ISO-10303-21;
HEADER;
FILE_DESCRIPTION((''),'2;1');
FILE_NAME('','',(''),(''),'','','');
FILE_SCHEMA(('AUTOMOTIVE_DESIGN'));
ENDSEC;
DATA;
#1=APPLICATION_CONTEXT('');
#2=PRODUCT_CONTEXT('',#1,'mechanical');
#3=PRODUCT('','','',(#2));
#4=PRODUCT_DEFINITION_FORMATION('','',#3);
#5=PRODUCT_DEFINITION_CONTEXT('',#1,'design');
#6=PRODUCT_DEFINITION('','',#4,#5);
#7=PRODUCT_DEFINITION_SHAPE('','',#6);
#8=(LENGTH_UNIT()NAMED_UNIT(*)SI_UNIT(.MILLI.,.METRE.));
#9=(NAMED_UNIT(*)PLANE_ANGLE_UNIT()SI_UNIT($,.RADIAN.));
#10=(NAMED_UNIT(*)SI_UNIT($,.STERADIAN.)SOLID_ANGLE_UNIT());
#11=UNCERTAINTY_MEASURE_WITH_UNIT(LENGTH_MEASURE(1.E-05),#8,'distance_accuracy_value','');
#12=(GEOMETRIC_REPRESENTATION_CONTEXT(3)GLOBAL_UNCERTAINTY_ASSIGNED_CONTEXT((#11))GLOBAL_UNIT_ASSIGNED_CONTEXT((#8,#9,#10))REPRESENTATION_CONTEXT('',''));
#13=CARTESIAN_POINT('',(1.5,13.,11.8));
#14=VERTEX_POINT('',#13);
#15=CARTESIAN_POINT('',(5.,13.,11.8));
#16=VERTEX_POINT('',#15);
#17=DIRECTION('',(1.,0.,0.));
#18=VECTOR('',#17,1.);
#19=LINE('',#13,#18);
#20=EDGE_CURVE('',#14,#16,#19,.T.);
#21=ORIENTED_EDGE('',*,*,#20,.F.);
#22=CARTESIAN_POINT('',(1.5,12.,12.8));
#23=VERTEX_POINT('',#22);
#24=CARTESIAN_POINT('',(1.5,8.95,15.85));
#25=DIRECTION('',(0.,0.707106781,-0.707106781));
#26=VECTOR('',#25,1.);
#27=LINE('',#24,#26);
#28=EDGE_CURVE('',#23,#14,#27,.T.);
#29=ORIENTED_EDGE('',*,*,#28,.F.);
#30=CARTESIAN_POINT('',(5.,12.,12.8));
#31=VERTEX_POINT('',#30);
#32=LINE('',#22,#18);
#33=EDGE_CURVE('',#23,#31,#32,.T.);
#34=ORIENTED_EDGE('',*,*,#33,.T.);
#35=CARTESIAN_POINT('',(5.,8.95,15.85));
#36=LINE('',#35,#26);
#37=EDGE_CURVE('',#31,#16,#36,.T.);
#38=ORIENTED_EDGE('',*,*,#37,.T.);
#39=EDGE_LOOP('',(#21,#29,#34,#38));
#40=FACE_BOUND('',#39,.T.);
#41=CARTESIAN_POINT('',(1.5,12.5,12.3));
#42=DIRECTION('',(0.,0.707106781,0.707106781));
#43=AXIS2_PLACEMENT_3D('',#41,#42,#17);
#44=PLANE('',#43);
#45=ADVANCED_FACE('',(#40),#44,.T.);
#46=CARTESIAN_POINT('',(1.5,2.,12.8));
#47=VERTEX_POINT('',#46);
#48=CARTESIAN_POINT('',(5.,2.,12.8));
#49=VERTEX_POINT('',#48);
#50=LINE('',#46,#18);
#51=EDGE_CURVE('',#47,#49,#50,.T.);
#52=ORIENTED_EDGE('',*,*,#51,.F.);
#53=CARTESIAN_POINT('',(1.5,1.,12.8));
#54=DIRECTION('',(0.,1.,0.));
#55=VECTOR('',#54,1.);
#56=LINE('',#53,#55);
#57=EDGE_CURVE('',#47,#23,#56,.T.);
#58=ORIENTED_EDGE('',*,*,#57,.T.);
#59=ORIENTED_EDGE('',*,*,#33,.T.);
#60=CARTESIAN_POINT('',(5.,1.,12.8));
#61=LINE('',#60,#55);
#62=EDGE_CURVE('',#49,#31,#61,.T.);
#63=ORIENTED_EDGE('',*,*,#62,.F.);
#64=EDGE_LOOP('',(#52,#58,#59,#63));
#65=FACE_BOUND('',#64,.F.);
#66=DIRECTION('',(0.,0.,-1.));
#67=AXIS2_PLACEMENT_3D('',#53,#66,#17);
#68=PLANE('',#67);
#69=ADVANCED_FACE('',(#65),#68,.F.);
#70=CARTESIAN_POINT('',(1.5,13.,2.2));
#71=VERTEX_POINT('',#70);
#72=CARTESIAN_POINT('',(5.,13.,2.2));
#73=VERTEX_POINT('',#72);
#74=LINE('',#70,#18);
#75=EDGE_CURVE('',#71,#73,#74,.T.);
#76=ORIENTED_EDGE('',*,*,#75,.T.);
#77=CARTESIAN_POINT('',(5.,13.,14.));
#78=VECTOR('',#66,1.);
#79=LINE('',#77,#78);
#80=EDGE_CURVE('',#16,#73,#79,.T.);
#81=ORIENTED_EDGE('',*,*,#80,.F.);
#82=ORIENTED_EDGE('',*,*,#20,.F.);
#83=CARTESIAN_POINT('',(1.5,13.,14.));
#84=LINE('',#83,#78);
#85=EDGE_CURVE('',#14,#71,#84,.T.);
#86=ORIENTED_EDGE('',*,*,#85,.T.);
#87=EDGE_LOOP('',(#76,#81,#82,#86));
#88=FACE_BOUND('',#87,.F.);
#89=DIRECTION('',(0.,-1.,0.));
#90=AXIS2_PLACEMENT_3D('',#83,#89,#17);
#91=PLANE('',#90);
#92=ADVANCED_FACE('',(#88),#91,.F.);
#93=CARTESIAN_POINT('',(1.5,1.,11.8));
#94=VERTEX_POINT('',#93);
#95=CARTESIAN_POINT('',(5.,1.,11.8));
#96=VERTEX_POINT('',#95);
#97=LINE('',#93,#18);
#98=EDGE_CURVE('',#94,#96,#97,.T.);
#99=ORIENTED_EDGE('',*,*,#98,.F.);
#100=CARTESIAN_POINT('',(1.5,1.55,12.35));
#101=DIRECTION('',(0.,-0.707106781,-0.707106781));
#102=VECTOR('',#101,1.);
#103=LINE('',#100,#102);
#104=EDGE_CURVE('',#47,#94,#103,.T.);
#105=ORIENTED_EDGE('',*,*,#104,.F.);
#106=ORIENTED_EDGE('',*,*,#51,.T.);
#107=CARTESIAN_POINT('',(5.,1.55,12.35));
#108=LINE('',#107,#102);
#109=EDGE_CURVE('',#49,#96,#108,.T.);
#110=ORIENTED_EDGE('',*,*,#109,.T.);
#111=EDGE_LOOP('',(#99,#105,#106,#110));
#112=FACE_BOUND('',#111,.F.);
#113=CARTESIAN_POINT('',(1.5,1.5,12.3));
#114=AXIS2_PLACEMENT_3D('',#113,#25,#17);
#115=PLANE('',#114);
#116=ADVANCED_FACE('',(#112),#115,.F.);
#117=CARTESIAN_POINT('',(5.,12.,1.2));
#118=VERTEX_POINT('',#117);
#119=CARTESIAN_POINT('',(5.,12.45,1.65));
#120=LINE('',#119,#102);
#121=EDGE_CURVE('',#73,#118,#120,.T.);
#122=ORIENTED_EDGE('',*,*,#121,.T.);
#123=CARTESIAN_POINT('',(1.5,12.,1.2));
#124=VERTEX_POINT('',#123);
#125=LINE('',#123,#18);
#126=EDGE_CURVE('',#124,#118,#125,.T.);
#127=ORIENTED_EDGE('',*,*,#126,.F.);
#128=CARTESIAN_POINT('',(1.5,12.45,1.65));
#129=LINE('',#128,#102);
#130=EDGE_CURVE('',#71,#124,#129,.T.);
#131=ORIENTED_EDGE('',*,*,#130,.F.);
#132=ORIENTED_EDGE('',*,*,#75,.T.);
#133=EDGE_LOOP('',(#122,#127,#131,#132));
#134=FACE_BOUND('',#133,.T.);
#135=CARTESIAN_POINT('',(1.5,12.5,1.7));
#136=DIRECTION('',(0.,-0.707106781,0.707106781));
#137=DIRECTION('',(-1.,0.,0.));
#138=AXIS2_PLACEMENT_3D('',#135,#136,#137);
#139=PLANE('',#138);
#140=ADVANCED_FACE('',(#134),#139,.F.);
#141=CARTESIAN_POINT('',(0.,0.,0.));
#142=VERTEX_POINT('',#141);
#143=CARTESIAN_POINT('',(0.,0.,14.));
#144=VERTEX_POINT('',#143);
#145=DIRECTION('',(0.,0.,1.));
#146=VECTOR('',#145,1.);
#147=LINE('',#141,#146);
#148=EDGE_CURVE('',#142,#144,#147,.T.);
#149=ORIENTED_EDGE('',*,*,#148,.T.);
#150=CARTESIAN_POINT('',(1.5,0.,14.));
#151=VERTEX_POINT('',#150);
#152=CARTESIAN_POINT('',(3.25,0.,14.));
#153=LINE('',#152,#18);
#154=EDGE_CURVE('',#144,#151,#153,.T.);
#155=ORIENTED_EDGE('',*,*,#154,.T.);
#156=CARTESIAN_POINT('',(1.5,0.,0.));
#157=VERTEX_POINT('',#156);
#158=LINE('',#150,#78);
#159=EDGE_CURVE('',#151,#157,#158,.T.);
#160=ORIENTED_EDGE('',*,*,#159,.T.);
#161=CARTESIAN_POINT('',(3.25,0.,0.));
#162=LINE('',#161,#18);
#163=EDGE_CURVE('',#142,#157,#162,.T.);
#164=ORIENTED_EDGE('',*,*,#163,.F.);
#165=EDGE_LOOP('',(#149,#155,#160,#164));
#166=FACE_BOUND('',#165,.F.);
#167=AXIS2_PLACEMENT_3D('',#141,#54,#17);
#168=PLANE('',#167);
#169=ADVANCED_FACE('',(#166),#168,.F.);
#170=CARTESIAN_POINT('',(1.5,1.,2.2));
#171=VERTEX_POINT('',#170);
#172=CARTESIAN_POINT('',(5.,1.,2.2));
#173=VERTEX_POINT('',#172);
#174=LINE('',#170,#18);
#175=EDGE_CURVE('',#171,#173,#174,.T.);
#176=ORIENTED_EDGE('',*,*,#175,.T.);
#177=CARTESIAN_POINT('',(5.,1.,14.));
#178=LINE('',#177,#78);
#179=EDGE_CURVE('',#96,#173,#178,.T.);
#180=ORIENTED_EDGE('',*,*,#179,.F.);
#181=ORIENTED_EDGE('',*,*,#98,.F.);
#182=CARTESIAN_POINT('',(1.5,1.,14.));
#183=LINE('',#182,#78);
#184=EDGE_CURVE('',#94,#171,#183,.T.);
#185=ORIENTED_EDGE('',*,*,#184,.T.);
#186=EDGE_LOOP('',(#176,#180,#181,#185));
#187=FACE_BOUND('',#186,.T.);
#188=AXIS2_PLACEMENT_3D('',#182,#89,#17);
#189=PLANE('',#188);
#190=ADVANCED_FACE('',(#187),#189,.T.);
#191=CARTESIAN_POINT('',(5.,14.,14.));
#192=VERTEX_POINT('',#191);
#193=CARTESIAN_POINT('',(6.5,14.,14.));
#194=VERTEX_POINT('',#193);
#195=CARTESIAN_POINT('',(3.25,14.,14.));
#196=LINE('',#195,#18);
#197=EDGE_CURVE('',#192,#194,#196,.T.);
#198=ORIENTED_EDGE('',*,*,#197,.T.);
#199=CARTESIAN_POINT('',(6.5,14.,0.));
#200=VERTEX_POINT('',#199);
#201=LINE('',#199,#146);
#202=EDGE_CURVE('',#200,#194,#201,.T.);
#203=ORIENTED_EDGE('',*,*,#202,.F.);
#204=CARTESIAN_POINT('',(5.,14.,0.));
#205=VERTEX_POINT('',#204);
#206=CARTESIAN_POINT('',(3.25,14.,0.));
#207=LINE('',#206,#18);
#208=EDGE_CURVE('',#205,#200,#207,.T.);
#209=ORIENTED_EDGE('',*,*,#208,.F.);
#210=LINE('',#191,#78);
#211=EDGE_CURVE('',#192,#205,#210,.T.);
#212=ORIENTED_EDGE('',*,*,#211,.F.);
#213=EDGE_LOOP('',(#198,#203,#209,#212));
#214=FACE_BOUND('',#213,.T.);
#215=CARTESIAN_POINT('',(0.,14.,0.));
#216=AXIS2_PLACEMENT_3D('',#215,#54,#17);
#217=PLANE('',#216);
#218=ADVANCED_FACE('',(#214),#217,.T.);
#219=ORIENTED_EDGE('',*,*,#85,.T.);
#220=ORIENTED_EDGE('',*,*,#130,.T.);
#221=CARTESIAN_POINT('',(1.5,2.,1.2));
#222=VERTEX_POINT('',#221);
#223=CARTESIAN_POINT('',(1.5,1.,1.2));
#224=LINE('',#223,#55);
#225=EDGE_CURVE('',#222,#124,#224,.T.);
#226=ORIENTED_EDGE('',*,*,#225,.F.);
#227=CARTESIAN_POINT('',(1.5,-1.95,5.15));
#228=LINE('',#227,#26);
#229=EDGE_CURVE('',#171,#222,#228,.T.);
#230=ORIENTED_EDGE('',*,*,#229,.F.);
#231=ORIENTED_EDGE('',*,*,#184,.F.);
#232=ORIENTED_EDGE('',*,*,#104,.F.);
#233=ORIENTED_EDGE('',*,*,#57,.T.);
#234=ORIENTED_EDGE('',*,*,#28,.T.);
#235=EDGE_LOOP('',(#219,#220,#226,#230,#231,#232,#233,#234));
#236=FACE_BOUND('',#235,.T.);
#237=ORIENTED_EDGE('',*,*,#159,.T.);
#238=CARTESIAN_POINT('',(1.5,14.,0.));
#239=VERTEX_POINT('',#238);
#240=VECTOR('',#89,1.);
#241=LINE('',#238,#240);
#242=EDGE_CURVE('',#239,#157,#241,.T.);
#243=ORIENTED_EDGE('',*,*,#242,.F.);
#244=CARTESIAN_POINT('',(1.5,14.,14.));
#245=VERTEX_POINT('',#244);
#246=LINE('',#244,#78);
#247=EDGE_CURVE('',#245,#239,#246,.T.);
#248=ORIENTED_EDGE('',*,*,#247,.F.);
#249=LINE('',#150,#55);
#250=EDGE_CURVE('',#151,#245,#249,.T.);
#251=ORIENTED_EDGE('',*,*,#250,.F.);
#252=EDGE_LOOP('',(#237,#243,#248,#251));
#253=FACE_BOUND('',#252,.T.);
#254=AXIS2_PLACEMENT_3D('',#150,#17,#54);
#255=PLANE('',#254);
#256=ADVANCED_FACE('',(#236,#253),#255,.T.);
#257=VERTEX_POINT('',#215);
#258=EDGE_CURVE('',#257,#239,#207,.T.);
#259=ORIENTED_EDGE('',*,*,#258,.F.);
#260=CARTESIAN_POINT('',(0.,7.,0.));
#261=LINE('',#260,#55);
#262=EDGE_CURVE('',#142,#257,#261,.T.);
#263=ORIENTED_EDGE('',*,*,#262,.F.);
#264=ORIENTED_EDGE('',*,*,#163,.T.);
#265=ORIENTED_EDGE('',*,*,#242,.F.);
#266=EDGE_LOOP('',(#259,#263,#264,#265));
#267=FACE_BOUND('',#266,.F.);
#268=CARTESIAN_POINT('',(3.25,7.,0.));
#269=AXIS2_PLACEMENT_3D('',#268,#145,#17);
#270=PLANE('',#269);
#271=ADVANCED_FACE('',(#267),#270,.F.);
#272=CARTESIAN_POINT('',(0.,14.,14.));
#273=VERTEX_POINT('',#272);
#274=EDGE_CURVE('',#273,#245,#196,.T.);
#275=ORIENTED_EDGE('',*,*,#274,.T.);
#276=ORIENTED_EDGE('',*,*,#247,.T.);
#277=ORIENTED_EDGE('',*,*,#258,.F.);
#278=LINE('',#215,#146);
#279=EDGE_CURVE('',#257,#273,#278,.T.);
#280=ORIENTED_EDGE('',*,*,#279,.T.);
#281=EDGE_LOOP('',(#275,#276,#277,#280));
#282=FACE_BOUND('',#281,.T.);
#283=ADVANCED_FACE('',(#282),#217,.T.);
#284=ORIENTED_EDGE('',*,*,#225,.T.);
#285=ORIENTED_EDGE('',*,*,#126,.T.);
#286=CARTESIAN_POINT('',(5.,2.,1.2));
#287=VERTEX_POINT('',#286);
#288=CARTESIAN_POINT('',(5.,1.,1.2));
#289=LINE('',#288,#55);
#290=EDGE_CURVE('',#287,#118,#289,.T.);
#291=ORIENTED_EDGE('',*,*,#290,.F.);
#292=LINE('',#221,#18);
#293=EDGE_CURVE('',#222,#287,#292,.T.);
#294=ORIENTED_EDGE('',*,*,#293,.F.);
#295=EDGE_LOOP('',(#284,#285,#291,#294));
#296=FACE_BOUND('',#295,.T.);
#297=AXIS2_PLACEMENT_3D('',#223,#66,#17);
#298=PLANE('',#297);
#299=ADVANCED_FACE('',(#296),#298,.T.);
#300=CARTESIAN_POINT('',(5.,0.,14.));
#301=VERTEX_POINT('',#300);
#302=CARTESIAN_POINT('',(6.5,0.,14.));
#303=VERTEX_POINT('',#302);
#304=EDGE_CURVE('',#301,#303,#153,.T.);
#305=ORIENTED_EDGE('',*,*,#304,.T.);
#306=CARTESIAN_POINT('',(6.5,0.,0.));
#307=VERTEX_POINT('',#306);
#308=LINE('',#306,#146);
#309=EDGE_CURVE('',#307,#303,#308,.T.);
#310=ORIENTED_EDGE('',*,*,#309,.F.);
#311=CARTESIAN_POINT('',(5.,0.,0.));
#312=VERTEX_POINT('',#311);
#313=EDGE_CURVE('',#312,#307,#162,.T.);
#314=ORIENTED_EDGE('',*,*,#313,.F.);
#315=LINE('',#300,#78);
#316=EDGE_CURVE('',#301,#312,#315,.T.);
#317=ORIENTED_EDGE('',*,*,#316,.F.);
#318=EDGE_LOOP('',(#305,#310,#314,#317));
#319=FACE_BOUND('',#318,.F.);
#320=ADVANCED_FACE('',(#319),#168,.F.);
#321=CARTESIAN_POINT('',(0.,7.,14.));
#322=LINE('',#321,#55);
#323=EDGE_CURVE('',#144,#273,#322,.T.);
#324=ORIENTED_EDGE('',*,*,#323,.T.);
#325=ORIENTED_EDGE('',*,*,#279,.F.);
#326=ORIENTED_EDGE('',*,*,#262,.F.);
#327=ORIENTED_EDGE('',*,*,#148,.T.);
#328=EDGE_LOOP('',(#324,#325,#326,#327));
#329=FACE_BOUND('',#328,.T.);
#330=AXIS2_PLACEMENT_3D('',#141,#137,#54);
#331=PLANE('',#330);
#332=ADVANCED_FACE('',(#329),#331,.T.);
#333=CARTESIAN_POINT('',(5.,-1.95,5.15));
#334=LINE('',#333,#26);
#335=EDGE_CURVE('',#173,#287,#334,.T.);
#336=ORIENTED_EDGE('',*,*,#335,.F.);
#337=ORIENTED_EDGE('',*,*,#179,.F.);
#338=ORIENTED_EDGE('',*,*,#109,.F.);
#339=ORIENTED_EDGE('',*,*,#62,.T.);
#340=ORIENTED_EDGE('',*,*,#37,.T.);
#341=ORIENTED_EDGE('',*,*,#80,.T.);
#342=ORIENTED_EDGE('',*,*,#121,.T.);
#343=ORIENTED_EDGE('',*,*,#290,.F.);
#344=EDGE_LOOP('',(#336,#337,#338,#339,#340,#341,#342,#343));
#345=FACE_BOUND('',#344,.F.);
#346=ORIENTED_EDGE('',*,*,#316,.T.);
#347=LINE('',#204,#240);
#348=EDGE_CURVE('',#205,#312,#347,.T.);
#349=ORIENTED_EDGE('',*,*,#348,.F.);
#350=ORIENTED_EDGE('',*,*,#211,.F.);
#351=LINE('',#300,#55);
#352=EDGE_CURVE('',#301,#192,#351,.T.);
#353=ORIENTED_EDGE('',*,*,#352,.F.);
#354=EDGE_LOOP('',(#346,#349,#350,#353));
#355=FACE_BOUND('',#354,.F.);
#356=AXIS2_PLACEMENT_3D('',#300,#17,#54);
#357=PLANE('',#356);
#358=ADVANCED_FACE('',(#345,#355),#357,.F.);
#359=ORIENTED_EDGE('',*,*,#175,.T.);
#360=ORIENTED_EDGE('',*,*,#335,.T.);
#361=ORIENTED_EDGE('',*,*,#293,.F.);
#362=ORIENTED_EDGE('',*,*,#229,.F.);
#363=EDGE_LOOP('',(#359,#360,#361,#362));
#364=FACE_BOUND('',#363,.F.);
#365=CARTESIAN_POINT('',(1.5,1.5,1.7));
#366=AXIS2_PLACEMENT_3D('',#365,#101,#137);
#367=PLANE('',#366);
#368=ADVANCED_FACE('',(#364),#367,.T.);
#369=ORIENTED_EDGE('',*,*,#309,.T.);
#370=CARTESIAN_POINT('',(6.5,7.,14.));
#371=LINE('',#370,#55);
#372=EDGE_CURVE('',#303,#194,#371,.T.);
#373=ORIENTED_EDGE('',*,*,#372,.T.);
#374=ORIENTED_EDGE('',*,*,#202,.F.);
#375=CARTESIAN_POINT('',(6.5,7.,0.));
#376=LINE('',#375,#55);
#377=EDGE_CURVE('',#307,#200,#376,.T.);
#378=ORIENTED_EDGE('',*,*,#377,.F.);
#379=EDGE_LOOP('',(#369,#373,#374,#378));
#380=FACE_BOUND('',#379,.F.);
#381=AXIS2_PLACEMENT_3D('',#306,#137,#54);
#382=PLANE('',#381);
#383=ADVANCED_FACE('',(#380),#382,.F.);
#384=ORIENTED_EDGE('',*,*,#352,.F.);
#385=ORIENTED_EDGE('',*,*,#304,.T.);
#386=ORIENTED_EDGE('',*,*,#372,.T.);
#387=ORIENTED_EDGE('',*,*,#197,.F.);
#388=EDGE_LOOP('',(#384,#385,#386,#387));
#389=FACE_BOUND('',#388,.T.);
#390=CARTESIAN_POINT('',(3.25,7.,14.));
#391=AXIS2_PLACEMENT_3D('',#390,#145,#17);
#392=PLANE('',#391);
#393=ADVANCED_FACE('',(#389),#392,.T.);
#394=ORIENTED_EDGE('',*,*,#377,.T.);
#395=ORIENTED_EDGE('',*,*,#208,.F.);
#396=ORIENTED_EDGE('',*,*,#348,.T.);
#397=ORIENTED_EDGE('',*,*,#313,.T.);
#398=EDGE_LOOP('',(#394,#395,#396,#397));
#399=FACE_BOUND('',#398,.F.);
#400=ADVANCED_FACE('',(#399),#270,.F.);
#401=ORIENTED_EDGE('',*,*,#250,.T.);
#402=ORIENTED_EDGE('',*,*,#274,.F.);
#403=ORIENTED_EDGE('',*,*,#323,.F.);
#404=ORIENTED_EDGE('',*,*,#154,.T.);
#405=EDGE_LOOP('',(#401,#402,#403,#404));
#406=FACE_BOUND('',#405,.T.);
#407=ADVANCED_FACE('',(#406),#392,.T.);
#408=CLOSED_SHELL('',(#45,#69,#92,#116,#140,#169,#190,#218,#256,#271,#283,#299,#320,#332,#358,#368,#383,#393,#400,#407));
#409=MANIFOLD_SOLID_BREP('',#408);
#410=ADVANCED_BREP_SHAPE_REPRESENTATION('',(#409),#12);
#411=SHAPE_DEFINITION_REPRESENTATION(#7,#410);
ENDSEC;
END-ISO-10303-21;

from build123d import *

# Parameters (mm, degrees)
BOX_W           = 6.5
BOX_H           = 14
BOX_DEPTH       = 14
SKETCH_W        = 3.5
SKETCH_H        = 1
POCKET_DEPTH    = 14
SKETCH001_W     = 3.5
SKETCH001_H     = 1.2
POCKET001_DEPTH = 14
CHAMFER_SIZE    = 1
CHAMFER001_SIZE = 1
CHAMFER002_SIZE = 1
CHAMFER003_SIZE = 1


with BuildPart() as part:
    # Box → Box (new body)
    with BuildSketch(Plane.XY):
        with Locations((3.25, 7)):
            Rectangle(BOX_W, BOX_H)
    extrude(amount=BOX_DEPTH)

    # Sketch → Pocket (cut)
    with BuildSketch(Plane.XY.offset(14)):
        with Locations((3.25, 13.5)):
            Rectangle(SKETCH_W, SKETCH_H)
        with Locations((3.25, 0.5)):
            Rectangle(SKETCH_W, SKETCH_H)
    extrude(amount=-POCKET_DEPTH, mode=Mode.SUBTRACT)

    # Sketch001 → Pocket001 (cut)
    with BuildSketch(Plane.XZ.offset(-1)):
        with Locations((3.25, 13.4)):
            Rectangle(SKETCH001_W, SKETCH001_H)
        with Locations((3.25, 0.6)):
            Rectangle(SKETCH001_W, SKETCH001_H)
    extrude(amount=-POCKET001_DEPTH, mode=Mode.SUBTRACT)

    # Chamfer
    chamfer_edges = [part.edges().sort_by_distance(p)[0] for p in [
        (3.25, 1, 12.8),
    ]]
    chamfer(chamfer_edges, length=CHAMFER_SIZE)

    # Chamfer001
    chamfer001_edges = [part.edges().sort_by_distance(p)[0] for p in [
        (3.25, 1, 1.2),
    ]]
    chamfer(chamfer001_edges, length=CHAMFER001_SIZE)

    # Chamfer002
    chamfer002_edges = [part.edges().sort_by_distance(p)[0] for p in [
        (3.25, 13, 12.8),
    ]]
    chamfer(chamfer002_edges, length=CHAMFER002_SIZE)

    # Chamfer003
    chamfer003_edges = [part.edges().sort_by_distance(p)[0] for p in [
        (3.25, 13, 1.2),
    ]]
    chamfer(chamfer003_edges, length=CHAMFER003_SIZE)


solid = part.part
